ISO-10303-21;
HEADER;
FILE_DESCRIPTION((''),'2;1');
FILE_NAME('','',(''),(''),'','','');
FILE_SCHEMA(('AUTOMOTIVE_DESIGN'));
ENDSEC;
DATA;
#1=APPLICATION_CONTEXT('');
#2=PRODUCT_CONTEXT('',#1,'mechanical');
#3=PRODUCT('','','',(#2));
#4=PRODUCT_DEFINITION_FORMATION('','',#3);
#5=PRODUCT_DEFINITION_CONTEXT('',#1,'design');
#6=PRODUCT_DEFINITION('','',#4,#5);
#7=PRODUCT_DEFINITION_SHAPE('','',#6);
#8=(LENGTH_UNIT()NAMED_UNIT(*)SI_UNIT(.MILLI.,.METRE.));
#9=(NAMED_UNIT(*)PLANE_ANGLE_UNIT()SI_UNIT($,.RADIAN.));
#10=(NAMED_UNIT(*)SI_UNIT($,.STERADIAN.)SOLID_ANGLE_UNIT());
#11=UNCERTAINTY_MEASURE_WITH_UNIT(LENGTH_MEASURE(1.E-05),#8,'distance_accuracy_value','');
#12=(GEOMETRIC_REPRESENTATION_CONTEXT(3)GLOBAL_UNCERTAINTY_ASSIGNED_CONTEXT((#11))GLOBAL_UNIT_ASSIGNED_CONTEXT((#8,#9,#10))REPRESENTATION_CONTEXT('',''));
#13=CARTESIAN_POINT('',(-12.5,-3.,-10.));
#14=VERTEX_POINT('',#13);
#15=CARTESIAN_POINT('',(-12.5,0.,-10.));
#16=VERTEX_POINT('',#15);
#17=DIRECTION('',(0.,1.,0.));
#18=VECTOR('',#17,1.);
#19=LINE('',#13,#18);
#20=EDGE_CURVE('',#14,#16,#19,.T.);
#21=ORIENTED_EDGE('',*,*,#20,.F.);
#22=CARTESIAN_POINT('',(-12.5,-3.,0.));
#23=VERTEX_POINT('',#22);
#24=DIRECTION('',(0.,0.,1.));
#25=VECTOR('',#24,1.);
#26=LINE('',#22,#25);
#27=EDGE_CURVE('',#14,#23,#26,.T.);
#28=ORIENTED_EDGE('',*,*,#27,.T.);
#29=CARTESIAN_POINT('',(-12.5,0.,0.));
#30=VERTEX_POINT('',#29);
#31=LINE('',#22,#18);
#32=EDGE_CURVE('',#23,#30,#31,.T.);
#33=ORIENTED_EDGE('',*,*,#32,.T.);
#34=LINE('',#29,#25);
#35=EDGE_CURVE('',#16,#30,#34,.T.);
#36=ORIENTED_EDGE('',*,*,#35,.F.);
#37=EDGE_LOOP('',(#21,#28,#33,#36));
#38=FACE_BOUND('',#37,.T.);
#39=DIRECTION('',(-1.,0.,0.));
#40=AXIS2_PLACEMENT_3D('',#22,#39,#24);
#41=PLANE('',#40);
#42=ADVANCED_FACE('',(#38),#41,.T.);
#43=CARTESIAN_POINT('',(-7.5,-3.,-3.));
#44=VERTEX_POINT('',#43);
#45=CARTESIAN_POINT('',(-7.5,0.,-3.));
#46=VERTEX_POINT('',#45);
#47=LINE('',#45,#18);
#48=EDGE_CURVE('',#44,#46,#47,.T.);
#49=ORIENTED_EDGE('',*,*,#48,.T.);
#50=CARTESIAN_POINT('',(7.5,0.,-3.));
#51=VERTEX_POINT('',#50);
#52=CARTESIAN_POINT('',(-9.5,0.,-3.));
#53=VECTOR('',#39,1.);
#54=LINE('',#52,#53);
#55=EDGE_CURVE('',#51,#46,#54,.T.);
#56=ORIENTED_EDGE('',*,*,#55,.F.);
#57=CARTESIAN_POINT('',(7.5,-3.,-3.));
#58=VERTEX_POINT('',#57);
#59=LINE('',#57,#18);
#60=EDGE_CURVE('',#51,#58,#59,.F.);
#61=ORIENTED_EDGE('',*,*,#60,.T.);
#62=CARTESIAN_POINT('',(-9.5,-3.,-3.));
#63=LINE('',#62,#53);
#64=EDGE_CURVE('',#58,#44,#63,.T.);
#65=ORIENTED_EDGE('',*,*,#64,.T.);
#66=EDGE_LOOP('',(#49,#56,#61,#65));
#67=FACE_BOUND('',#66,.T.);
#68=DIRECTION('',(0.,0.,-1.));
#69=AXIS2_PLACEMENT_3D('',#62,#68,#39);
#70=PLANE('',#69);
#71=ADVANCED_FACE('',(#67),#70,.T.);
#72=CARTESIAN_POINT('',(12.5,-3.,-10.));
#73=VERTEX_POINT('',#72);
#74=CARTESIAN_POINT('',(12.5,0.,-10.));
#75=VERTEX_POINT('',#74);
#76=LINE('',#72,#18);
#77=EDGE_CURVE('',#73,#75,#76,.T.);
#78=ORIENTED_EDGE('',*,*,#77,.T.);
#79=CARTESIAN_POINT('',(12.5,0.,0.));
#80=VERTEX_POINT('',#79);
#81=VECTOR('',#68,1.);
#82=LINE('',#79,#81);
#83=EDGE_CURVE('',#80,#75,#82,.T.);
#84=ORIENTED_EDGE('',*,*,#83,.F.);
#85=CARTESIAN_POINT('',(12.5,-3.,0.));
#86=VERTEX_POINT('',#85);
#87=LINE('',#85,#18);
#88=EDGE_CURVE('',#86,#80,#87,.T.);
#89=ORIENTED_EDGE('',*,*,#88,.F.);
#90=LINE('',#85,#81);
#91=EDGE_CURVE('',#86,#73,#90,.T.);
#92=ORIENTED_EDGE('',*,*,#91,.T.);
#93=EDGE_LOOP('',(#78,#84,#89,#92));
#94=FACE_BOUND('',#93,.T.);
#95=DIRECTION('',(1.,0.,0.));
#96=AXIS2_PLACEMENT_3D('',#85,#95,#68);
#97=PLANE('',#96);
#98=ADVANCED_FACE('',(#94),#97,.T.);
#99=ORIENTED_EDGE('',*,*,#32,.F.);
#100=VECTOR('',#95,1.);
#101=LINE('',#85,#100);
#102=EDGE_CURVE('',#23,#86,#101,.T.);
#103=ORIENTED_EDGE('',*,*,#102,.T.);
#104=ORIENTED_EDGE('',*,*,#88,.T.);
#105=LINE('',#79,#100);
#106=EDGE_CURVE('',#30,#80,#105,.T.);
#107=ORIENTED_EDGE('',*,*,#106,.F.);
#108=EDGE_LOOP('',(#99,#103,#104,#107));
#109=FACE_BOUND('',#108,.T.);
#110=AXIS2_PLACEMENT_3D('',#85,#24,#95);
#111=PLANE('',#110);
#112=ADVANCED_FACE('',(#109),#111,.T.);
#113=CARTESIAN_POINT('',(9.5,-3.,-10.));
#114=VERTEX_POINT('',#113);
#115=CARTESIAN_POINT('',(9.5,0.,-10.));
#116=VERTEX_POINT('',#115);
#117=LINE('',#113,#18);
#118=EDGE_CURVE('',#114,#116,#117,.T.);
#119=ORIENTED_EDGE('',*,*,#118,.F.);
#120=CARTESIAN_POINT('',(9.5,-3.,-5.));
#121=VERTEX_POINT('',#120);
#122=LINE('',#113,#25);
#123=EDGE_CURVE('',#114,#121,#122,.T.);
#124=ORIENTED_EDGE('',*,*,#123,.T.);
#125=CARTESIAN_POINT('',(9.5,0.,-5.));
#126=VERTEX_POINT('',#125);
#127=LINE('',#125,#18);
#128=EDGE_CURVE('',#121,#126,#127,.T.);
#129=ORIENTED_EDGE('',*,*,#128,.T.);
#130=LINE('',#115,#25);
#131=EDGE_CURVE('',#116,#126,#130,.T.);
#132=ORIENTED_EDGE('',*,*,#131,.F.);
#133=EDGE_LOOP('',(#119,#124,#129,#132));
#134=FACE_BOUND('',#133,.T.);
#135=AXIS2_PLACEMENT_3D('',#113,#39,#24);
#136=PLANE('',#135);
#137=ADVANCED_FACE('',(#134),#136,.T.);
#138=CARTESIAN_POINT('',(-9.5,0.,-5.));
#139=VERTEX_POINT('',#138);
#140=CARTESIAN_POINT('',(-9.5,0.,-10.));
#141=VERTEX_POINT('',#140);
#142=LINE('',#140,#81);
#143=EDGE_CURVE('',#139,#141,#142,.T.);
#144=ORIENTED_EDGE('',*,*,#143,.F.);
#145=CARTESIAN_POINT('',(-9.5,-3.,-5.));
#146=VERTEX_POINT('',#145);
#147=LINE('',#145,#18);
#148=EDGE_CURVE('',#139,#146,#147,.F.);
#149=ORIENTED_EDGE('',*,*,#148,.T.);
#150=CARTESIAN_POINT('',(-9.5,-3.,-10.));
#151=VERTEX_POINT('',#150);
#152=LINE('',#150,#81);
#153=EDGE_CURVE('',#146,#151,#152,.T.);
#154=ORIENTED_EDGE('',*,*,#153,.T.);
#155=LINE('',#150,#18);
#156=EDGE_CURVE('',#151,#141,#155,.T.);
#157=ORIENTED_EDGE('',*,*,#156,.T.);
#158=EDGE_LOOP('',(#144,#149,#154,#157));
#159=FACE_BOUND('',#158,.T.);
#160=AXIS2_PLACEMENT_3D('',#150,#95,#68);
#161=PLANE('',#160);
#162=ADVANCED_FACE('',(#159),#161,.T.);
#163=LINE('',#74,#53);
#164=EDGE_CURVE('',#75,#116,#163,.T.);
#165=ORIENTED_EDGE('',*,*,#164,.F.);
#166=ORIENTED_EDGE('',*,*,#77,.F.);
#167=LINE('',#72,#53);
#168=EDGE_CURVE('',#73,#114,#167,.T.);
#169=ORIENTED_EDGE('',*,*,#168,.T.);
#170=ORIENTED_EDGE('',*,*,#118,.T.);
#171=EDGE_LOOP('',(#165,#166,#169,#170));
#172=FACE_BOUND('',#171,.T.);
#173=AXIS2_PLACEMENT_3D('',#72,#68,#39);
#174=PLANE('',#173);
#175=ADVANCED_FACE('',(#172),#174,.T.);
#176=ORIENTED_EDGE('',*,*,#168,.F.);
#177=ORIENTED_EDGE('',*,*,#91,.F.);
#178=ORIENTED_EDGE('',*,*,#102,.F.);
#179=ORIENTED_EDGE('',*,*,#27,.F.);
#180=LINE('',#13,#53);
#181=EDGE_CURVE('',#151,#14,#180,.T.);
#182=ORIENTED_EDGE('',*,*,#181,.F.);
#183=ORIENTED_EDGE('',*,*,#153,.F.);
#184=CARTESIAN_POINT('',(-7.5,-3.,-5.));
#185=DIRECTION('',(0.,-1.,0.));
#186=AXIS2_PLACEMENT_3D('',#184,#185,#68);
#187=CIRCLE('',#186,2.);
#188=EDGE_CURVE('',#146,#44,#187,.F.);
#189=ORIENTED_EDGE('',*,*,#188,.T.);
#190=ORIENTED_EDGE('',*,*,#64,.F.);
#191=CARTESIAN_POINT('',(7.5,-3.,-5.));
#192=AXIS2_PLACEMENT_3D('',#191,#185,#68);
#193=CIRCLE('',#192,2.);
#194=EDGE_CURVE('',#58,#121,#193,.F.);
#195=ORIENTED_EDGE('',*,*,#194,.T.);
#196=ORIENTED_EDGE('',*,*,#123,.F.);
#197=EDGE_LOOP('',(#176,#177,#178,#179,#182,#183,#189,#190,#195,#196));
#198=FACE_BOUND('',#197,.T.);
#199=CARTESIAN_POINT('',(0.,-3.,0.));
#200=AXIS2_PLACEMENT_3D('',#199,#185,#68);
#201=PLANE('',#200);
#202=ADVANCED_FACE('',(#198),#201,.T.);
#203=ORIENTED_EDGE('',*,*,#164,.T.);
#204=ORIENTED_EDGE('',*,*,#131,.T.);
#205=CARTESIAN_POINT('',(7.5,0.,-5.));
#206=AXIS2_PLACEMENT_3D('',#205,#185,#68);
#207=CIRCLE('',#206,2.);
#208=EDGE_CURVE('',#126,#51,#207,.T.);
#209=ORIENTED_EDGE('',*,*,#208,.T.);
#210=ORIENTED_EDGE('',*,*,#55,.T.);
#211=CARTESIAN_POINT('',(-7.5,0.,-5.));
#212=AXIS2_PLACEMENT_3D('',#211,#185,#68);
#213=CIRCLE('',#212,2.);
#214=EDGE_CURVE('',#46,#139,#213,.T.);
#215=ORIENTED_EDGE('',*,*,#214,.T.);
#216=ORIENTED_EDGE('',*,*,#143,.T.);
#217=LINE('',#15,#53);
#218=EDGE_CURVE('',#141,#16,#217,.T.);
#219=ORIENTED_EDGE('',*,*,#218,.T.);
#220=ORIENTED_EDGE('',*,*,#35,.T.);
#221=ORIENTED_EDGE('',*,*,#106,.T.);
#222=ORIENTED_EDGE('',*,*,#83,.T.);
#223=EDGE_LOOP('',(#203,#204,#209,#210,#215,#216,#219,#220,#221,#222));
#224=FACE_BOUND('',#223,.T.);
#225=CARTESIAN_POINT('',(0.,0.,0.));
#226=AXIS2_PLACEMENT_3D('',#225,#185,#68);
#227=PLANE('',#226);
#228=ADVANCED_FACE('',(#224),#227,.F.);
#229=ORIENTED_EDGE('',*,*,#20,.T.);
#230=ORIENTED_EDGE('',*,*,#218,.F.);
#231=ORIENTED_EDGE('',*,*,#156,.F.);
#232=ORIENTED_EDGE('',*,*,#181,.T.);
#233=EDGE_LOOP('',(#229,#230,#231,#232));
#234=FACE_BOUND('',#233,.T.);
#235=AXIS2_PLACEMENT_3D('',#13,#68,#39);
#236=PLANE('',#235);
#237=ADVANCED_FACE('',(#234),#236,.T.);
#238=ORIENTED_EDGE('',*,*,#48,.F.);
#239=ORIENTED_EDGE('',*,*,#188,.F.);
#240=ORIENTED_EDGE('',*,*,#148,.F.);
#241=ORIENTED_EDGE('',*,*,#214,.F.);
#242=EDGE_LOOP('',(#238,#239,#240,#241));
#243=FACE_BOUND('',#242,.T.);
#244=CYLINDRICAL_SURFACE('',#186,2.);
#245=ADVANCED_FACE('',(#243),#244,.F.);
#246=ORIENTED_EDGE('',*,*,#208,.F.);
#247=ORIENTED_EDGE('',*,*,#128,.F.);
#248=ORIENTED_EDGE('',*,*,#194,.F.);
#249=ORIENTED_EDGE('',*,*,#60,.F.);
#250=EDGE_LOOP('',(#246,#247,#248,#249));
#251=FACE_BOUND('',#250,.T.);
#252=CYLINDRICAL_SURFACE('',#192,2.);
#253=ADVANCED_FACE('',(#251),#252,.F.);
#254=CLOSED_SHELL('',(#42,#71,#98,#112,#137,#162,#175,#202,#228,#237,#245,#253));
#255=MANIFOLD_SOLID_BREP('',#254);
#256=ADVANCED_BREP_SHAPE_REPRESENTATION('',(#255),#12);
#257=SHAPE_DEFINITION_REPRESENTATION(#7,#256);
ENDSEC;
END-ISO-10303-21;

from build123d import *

# Parameters (mm, degrees)
SALIENTE_EXTRUIR1_DEPTH = 3
REDONDEO4_R             = 2
REDONDEO5_R             = 2


with BuildPart() as part:
    # Croquis1 → Saliente-Extruir1 (new body)
    with BuildSketch(Plane(origin=(0, 0, 0), x_dir=(1, 0, 0), z_dir=(0, 1, 0))):
        Polygon((12.5, 0), (-12.5, 0), (-12.5, 10), (-9.5, 10), (-9.5, 3), (9.5, 3), (9.5, 10), (12.5, 10), align=None)
    extrude(amount=-SALIENTE_EXTRUIR1_DEPTH)

    # Redondeo4
    redondeo4_edges = [part.edges().sort_by_distance(p)[0] for p in [
        (-9.5, -1.5, -3),
    ]]
    fillet(redondeo4_edges, radius=REDONDEO4_R)

    # Redondeo5
    redondeo5_edges = [part.edges().sort_by_distance(p)[0] for p in [
        (9.5, -1.5, -3),
    ]]
    fillet(redondeo5_edges, radius=REDONDEO5_R)


solid = part.part
